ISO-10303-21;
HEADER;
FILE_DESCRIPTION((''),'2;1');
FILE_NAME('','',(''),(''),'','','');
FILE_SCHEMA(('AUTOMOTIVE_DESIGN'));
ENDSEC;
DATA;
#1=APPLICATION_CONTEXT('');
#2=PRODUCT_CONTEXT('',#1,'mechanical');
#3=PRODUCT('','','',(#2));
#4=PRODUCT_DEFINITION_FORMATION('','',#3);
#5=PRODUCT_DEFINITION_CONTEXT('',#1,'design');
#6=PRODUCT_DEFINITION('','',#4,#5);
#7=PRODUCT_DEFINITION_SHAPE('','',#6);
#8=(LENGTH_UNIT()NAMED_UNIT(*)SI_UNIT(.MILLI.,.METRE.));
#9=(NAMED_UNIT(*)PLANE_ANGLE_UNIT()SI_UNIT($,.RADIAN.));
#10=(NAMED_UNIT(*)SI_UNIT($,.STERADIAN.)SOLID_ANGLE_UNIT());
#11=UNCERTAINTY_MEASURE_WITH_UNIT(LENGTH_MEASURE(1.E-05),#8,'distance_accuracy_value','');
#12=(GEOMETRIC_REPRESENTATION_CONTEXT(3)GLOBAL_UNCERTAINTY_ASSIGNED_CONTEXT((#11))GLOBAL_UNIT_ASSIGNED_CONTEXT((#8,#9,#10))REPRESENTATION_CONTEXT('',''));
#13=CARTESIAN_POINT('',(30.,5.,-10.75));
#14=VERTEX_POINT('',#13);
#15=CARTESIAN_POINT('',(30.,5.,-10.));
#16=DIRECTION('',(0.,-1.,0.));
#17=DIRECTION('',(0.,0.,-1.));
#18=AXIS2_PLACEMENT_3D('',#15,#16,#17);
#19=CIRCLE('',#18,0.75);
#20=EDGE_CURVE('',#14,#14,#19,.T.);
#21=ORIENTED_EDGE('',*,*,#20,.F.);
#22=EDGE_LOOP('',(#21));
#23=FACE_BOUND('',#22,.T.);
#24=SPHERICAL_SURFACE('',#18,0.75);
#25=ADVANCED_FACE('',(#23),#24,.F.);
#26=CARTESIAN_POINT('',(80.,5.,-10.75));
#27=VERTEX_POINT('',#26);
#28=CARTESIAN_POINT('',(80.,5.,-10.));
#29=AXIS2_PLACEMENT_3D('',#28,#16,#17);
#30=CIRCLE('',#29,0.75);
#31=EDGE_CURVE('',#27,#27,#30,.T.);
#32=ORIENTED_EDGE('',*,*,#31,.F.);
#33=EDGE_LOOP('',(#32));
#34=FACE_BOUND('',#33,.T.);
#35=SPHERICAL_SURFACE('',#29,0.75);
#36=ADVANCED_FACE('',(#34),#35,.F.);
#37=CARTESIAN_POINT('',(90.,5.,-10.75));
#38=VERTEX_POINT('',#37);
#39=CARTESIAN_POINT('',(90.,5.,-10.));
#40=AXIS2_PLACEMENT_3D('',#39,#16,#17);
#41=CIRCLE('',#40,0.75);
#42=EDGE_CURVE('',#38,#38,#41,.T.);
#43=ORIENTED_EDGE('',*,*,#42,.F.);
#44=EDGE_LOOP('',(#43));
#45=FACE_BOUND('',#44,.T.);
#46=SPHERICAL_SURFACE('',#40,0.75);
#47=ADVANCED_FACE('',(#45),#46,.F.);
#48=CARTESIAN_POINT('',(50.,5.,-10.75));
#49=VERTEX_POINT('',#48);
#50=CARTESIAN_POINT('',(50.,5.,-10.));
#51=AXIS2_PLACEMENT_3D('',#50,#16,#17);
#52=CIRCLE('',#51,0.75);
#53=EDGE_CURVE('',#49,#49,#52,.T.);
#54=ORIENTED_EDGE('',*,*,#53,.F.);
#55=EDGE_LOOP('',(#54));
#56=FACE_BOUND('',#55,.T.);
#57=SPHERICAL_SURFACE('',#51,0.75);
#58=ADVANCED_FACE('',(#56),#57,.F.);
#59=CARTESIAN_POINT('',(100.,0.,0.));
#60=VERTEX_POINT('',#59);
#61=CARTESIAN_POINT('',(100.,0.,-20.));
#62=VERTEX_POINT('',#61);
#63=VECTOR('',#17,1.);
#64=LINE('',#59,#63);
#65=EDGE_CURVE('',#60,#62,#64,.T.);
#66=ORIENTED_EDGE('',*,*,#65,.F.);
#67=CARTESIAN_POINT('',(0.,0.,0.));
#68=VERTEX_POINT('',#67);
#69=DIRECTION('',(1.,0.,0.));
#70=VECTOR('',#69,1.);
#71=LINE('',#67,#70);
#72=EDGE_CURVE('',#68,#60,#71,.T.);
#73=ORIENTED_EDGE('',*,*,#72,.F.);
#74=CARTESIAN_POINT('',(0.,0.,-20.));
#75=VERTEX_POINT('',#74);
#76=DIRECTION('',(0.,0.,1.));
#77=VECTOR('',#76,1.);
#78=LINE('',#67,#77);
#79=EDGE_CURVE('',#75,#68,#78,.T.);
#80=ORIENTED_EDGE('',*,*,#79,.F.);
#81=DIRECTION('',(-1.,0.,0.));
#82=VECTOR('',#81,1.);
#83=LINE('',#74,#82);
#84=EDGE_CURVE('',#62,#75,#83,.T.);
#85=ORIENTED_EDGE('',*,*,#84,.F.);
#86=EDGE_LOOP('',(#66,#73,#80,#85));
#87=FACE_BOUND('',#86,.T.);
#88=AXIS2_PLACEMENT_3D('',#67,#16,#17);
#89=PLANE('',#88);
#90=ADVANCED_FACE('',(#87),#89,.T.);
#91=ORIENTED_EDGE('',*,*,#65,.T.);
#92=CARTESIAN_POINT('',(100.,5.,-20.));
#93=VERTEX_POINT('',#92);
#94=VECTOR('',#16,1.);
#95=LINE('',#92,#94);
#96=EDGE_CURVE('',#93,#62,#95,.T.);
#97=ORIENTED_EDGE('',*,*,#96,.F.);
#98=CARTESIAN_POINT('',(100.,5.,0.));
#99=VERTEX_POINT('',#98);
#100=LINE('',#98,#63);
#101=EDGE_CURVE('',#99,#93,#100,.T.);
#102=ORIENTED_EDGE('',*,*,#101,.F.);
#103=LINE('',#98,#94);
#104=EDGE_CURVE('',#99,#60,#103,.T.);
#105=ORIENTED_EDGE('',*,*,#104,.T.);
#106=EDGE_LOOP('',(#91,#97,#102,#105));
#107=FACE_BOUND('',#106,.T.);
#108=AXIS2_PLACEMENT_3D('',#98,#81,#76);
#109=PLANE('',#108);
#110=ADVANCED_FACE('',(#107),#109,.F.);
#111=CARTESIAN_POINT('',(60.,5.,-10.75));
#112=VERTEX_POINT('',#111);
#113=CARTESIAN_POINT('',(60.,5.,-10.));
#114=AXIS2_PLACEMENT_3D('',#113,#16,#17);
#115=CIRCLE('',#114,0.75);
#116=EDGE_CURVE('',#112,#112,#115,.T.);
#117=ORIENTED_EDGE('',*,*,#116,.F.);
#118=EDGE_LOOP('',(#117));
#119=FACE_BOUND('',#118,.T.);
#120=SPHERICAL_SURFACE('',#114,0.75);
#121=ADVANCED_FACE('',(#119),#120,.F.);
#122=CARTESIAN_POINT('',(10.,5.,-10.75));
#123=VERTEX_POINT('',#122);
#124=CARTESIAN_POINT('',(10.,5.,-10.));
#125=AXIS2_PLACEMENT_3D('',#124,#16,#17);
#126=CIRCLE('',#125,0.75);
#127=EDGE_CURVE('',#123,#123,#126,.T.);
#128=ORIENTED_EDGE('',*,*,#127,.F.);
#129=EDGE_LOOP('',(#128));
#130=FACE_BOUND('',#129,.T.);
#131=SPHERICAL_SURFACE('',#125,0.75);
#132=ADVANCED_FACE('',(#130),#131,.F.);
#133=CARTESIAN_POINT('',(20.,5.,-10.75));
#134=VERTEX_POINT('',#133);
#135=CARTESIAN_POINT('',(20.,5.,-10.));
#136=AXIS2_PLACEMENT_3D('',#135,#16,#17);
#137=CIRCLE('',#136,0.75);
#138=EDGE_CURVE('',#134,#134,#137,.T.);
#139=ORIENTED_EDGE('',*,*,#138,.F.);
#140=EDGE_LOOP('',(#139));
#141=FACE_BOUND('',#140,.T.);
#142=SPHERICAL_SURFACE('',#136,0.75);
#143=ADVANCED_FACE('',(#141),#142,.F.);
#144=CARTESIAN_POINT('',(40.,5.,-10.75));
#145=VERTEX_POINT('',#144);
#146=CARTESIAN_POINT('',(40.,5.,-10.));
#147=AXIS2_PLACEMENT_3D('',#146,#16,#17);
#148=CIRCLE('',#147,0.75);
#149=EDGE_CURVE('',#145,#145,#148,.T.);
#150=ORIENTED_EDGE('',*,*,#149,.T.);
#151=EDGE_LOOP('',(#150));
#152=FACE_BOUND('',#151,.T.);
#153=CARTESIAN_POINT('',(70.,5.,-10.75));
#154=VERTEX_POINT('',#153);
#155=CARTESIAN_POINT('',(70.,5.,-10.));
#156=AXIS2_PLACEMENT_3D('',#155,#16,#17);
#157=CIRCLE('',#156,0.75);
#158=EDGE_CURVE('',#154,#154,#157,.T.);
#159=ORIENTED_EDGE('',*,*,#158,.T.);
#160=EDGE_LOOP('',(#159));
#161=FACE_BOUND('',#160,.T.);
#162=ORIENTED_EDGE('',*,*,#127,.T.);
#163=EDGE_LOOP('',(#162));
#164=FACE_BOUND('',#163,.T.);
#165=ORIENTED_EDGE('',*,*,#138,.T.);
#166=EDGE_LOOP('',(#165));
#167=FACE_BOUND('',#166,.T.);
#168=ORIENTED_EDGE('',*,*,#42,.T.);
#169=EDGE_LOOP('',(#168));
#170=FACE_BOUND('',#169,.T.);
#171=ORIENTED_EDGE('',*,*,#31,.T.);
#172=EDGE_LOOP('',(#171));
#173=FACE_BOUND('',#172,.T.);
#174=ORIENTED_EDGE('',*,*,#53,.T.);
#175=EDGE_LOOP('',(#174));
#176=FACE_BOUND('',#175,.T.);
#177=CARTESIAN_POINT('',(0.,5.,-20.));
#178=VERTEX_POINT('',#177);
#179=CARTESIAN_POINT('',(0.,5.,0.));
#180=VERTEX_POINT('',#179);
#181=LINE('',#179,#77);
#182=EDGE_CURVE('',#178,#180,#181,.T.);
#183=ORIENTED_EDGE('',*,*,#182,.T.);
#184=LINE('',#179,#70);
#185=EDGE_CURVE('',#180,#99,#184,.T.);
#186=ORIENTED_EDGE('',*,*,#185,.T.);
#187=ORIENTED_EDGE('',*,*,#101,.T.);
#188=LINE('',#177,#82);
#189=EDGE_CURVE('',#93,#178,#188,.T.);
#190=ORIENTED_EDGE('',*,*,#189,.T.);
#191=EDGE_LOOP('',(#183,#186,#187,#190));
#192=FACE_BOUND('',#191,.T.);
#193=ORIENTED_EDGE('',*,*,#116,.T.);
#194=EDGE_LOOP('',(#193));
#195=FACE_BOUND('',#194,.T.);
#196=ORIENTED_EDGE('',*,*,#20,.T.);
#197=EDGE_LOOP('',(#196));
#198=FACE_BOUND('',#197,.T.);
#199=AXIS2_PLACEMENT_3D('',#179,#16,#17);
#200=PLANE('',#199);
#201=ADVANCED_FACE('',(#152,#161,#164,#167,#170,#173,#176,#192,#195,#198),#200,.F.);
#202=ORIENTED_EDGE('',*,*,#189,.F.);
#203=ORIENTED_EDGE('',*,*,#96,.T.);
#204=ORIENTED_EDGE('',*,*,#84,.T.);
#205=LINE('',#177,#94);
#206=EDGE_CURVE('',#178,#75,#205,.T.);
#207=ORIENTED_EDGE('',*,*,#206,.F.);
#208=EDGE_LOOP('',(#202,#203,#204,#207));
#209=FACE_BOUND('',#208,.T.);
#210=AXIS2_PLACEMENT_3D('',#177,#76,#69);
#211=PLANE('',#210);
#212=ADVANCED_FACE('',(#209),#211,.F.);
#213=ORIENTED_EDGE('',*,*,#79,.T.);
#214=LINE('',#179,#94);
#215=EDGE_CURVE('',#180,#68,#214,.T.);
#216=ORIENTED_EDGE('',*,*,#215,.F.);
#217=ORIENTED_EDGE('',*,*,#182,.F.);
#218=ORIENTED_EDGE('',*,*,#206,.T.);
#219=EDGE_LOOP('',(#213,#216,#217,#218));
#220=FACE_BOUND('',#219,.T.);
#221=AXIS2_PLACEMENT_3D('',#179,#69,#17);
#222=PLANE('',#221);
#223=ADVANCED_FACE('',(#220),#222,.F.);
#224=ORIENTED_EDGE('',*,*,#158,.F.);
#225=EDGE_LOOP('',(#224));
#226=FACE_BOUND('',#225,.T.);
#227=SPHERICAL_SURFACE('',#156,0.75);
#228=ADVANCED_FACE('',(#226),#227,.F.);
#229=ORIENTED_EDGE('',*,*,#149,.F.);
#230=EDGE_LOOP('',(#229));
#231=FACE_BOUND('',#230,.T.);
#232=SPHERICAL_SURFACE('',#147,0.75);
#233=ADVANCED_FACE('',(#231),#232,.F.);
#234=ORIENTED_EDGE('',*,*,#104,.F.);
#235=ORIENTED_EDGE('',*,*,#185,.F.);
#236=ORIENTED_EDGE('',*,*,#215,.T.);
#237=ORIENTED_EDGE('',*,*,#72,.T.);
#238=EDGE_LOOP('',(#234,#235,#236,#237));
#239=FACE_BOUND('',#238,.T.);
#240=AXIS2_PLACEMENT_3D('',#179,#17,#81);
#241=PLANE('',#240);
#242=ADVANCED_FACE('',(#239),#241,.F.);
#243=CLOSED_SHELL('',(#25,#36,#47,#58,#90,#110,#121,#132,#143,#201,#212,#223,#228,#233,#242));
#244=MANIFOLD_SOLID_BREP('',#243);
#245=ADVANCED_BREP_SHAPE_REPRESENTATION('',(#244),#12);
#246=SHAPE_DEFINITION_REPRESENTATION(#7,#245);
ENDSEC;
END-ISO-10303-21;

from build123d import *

# Parameters (mm, degrees)
SKETCH_1_W      = 100
SKETCH_1_H      = 20
EXTRUDE_1_DEPTH = 5


with BuildPart() as part:
    # 草图1 → 凸台-拉伸1 (new body)
    with BuildSketch(Plane(origin=(0, 0, 0), x_dir=(1, 0, 0), z_dir=(0, 1, 0))):
        with Locations((50, 10)):
            Rectangle(SKETCH_1_W, SKETCH_1_H)
    extrude(amount=EXTRUDE_1_DEPTH)

    # 草图2 → 切除-旋转3 (revolve, cut)
    with BuildSketch(Plane(origin=(0, 5, 0), x_dir=(1, 0, 0), z_dir=(0, 1, 0))):
        with BuildLine():
            Line((10.75, 10), (9.25, 10))
            ThreePointArc((9.25, 10), (10, 9.25), (10.75, 10))
        make_face()
        with BuildLine():
            Line((20.75, 10), (19.25, 10))
            ThreePointArc((19.25, 10), (20, 9.25), (20.75, 10))
        make_face()
        with BuildLine():
            Line((30.75, 10), (29.25, 10))
            ThreePointArc((29.25, 10), (30, 9.25), (30.75, 10))
        make_face()
        with BuildLine():
            Line((40.75, 10), (39.25, 10))
            ThreePointArc((39.25, 10), (40, 9.25), (40.75, 10))
        make_face()
        with BuildLine():
            Line((50.75, 10), (49.25, 10))
            ThreePointArc((49.25, 10), (50, 9.25), (50.75, 10))
        make_face()
        with BuildLine():
            Line((60.75, 10), (59.25, 10))
            ThreePointArc((59.25, 10), (60, 9.25), (60.75, 10))
        make_face()
        with BuildLine():
            Line((70.75, 10), (69.25, 10))
            ThreePointArc((69.25, 10), (70, 9.25), (70.75, 10))
        make_face()
        with BuildLine():
            Line((80.75, 10), (79.25, 10))
            ThreePointArc((79.25, 10), (80, 9.25), (80.75, 10))
        make_face()
        with BuildLine():
            Line((90.75, 10), (89.25, 10))
            ThreePointArc((89.25, 10), (90, 9.25), (90.75, 10))
        make_face()
    revolve(axis=Axis((0, 5, -10), (1, 0, 0)), mode=Mode.SUBTRACT)


solid = part.part
